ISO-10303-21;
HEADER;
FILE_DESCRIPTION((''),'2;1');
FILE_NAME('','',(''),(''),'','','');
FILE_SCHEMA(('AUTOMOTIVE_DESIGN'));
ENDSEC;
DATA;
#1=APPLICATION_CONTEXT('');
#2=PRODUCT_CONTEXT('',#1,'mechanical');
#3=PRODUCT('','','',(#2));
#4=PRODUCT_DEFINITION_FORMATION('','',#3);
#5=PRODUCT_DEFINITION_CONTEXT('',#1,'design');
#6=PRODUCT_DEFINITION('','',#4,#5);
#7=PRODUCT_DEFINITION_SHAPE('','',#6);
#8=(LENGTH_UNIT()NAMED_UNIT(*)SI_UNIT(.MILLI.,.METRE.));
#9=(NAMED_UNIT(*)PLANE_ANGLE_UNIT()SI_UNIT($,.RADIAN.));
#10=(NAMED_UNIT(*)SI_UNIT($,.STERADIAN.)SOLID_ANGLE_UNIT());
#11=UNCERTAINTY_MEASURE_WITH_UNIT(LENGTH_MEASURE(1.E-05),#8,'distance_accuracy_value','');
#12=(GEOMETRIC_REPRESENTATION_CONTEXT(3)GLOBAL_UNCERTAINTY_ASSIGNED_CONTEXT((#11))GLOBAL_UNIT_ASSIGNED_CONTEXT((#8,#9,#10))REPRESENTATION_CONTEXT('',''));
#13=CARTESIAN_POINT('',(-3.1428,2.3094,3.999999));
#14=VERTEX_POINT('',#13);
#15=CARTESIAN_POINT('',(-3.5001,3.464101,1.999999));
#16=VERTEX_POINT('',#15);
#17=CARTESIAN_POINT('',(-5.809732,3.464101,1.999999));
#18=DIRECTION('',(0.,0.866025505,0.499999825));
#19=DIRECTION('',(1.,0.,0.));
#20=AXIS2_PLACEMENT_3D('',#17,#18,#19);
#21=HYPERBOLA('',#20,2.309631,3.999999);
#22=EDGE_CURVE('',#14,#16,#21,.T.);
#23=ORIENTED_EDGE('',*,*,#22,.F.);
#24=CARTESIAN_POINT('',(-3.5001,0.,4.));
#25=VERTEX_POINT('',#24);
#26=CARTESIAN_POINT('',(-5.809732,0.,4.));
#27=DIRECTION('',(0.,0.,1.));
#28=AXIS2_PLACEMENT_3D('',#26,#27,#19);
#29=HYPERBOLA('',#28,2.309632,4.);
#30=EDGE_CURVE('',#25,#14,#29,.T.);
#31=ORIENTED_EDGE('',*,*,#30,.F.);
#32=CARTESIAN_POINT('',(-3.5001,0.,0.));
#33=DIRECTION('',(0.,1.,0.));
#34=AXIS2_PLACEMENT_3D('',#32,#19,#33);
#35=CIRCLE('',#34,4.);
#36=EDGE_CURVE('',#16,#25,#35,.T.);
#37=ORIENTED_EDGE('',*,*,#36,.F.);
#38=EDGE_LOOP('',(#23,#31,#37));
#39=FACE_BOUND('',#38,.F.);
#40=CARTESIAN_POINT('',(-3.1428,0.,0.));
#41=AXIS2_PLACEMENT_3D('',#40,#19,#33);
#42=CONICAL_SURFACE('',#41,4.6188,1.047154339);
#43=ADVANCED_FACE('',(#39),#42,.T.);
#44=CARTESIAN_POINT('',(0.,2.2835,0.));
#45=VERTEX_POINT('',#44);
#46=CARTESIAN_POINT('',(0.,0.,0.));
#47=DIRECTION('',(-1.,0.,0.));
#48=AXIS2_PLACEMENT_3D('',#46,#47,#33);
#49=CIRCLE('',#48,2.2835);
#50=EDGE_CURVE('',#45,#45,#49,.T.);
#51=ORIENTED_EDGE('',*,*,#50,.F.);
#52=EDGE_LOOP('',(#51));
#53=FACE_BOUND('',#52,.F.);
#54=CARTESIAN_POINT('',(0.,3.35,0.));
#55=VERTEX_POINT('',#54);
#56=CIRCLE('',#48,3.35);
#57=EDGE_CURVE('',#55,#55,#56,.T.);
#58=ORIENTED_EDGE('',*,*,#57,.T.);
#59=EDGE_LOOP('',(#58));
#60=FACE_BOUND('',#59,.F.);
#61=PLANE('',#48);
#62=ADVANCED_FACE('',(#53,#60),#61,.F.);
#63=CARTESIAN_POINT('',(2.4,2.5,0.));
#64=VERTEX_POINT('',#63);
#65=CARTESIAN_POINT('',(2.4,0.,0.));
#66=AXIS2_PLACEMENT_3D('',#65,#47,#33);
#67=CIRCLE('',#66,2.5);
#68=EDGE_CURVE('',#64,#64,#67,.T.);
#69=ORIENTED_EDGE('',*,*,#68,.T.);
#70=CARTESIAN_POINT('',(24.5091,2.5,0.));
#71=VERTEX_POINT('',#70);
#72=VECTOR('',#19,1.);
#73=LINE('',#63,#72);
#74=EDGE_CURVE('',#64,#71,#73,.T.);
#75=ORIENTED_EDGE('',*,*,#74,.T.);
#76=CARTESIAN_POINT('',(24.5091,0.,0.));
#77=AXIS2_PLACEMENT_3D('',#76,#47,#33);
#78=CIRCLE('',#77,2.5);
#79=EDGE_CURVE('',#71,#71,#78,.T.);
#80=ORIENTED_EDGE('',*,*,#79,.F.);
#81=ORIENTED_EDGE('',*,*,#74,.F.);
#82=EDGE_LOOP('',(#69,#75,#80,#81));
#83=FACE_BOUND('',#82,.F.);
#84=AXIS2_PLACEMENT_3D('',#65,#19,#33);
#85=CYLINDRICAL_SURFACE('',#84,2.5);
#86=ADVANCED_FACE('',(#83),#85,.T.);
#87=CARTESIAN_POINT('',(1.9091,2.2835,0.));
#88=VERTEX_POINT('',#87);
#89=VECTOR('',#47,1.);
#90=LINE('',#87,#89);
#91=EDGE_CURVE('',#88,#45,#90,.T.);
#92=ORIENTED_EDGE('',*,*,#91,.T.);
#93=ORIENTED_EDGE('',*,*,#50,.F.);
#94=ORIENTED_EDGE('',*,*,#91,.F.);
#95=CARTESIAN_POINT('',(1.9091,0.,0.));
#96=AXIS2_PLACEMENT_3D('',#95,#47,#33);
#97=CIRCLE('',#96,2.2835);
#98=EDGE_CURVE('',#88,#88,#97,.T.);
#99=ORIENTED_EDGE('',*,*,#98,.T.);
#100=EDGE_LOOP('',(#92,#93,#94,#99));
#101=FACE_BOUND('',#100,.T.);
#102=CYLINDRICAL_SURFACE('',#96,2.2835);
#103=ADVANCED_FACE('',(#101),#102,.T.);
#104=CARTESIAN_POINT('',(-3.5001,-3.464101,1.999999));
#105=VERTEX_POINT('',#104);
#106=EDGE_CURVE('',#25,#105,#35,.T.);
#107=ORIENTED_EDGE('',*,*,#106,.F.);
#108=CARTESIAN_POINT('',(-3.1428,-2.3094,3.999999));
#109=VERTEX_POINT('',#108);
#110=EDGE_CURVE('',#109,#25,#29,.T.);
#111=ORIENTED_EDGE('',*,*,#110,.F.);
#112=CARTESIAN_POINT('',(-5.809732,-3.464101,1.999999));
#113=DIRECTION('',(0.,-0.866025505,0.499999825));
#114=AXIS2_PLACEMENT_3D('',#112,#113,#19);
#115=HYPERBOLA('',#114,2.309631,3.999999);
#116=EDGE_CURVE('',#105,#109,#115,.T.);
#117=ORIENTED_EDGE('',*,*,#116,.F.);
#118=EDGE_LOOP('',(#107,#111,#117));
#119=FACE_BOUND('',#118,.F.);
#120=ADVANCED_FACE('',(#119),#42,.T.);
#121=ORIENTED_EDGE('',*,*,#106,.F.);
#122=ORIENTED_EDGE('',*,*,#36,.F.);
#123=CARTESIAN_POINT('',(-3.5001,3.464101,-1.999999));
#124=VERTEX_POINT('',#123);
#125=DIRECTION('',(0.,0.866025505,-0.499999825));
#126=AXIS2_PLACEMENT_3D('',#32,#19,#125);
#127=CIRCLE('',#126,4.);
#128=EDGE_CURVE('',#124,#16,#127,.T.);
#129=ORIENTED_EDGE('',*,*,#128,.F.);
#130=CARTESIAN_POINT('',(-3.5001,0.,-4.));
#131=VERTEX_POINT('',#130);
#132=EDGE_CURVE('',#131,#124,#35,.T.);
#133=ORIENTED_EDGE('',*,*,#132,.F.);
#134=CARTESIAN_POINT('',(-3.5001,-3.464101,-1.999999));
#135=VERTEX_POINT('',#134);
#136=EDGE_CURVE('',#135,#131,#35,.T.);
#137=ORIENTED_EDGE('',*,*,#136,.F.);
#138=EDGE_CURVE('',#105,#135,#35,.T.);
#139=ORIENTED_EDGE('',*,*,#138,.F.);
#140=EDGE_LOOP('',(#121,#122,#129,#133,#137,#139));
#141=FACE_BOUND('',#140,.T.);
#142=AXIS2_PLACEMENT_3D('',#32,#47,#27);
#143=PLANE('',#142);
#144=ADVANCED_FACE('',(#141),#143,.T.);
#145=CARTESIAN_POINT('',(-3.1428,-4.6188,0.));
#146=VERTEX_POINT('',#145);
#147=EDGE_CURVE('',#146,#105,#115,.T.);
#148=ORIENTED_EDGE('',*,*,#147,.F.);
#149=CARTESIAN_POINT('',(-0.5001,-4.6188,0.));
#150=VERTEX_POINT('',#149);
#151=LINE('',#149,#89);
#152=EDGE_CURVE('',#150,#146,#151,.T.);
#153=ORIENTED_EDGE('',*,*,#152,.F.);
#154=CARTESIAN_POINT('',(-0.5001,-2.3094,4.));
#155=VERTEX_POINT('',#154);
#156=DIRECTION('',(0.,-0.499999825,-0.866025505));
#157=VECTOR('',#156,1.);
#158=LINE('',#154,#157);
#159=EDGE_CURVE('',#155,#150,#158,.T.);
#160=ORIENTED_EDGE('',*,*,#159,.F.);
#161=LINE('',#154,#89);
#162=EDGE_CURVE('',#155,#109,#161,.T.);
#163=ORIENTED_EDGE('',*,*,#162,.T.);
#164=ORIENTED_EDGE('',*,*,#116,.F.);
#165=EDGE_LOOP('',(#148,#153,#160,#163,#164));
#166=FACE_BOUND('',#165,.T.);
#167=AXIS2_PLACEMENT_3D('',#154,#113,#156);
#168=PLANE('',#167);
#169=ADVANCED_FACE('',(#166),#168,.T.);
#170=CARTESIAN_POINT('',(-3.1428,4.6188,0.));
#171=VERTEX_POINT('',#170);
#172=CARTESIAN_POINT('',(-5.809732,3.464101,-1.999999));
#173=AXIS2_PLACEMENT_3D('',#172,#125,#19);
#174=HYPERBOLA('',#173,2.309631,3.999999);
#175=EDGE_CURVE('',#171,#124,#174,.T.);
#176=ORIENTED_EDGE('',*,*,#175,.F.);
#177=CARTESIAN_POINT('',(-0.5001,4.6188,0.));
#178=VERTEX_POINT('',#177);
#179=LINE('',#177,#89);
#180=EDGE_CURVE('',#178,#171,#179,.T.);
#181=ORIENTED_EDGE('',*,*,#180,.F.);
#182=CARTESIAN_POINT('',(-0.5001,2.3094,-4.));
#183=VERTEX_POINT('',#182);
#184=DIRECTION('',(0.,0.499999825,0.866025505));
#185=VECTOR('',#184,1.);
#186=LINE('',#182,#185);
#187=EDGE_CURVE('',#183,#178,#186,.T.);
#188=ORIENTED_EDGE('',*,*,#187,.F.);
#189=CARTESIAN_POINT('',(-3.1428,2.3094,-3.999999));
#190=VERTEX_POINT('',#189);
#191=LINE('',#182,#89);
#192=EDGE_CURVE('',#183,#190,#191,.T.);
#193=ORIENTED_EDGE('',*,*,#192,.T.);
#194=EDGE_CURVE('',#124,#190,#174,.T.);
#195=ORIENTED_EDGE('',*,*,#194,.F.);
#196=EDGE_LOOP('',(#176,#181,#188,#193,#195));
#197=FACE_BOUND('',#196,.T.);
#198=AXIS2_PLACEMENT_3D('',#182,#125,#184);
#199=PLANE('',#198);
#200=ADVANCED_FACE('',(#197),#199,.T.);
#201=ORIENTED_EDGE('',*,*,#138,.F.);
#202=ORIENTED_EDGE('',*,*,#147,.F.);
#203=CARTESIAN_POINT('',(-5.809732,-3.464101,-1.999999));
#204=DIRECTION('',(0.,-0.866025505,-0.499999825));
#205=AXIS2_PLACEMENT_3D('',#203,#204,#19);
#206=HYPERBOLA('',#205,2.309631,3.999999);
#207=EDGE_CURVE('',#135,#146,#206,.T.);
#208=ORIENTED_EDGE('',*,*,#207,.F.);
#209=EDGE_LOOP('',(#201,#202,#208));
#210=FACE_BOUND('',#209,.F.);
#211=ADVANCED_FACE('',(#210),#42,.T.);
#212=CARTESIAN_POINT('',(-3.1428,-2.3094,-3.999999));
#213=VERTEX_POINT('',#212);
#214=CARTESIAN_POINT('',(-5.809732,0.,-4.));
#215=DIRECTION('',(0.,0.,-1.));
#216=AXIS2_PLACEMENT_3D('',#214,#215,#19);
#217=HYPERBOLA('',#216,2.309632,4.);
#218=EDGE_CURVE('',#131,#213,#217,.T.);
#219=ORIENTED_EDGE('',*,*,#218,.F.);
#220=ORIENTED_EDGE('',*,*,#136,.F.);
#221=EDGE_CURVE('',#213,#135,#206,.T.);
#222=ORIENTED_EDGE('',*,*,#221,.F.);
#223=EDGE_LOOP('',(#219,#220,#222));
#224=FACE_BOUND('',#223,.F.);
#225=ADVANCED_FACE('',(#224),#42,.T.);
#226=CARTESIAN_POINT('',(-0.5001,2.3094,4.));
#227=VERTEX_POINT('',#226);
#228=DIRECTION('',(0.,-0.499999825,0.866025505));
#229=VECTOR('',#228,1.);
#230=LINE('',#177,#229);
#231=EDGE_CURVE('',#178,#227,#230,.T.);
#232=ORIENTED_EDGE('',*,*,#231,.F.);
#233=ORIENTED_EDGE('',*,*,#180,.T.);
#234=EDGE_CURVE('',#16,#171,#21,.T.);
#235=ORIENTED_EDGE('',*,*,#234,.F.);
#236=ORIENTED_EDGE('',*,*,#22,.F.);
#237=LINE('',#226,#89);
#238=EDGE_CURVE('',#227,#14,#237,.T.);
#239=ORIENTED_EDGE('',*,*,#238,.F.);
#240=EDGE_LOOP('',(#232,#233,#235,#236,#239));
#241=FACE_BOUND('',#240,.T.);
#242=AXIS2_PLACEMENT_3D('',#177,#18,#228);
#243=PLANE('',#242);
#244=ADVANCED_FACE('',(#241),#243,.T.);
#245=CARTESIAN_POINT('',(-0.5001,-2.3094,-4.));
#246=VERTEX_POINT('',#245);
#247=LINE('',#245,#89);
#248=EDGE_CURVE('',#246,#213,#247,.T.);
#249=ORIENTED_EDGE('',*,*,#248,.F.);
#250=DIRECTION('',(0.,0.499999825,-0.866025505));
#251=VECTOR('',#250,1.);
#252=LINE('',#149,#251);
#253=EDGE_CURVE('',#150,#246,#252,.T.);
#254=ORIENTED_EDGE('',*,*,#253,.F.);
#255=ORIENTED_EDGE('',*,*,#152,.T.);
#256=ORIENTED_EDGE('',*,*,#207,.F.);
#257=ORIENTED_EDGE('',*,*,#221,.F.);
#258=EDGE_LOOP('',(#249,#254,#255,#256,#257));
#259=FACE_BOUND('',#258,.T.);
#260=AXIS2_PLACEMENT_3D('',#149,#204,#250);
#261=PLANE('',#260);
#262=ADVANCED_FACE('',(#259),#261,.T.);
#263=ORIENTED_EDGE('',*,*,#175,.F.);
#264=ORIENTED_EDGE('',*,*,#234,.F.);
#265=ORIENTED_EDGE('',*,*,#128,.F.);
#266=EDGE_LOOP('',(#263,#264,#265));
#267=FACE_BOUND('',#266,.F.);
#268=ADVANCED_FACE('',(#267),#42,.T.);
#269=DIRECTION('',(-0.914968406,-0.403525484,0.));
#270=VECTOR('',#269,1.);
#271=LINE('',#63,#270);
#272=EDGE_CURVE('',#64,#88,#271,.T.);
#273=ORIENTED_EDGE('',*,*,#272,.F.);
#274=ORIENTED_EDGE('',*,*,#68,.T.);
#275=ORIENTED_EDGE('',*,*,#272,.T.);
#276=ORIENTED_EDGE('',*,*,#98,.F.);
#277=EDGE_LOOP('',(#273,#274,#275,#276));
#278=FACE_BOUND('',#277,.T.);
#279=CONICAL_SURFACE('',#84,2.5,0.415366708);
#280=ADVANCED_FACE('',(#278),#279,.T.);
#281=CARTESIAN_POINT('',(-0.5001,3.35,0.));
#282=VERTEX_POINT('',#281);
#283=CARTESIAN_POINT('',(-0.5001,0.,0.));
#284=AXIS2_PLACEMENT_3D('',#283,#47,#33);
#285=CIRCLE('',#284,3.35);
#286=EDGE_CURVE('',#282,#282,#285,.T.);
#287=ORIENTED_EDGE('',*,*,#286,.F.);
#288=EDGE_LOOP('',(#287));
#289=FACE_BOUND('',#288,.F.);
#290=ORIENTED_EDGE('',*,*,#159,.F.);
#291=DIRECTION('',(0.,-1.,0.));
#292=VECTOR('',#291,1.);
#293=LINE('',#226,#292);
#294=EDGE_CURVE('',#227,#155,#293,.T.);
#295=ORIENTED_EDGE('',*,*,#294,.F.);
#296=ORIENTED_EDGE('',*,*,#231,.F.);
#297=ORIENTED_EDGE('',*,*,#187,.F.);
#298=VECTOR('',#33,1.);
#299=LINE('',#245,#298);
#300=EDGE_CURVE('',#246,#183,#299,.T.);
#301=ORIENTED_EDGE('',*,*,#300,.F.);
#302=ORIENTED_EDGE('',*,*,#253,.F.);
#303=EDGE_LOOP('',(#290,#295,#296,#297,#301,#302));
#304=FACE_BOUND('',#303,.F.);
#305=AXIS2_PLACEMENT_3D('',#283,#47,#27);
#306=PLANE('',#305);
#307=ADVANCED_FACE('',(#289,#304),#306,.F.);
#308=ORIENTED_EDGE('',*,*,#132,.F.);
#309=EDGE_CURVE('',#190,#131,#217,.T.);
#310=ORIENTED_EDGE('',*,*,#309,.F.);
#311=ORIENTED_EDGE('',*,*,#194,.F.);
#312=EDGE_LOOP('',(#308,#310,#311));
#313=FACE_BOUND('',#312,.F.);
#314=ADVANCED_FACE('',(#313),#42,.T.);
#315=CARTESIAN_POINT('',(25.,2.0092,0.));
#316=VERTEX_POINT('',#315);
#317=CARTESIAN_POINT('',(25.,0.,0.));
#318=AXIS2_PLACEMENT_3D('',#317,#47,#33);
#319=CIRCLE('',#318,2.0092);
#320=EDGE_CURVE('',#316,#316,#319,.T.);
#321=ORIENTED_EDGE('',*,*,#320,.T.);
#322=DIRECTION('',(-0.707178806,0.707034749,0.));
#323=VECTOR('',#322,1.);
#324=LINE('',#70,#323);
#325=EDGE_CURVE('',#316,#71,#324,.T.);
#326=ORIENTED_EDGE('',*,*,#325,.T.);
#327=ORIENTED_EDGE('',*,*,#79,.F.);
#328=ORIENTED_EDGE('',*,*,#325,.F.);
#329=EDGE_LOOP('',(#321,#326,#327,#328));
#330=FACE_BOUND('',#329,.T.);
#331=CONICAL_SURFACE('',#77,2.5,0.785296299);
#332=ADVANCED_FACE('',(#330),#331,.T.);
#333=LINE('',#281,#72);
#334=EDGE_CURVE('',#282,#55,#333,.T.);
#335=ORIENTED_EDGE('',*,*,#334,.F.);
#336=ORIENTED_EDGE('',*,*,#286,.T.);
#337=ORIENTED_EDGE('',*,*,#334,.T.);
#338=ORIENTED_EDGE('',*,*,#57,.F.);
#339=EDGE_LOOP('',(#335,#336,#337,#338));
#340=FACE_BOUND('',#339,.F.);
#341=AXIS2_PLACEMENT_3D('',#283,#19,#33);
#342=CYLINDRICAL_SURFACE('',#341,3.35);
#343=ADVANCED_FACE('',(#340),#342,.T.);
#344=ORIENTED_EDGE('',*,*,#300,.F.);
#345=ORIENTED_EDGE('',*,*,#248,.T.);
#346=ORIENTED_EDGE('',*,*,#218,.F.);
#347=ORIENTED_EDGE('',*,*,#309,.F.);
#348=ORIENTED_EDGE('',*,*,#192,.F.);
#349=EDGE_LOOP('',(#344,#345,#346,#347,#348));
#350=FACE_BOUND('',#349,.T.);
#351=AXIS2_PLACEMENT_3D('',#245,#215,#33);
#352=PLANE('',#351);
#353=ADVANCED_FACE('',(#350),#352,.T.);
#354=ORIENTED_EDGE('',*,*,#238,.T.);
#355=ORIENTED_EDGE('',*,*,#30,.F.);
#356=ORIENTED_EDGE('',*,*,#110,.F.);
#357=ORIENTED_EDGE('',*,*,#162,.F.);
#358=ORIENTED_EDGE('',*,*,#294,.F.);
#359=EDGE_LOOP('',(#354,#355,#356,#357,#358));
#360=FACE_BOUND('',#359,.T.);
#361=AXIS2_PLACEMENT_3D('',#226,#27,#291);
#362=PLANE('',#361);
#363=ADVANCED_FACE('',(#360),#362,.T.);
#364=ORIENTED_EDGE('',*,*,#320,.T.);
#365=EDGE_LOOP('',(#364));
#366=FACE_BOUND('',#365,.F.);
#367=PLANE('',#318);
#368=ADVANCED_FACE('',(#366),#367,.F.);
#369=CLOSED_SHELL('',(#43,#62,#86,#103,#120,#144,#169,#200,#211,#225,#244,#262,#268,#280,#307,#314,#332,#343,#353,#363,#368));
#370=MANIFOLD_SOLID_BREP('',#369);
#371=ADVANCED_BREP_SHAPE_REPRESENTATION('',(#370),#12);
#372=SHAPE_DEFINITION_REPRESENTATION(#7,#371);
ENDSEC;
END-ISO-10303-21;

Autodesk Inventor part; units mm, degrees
ref_plane "YZ Plane" through (0, 0, 0) normal (1, 0, 0) x (0, 1, 0)
ref_plane "XZ Plane" through (0, 0, 0) normal (0, 1, 0) x (-1, 0, 0)
sketch "Sketch1" plane through (0, 0, 0) normal (0, 0, 1) x (1, 0, 0)
  line L0 (0, 3.35) -> (0, 2.2835)
  line L1 (2.4, 2.5) -> (25, 2.5)
  line L2 (25, 2.5) -> (25, 0)
  line L3 (25, 0) -> (-0.5001, 0)
  line L4 (-5.6001, 0) -> (30.1, 0) projected
  line L5 (-0.5001, 0) -> (-0.5001, 3.35)
  line L6 (-0.5001, 3.35) -> (0, 3.35)
  line L7 (2.4, 2.5) -> (1.9091, 2.2835)
  line L8 (1.9091, 2.2835) -> (0, 2.2835)
  line L9 (0, -0.67) -> (0, 4.02) projected
  dimension "d0" = 25
  dimension "d1" = 22.6
  dimension "d2" = 5
  dimension "d9" = 0.5001
  dimension "d10" = 6.7
  dimension "d13" = 0.4909
  dimension "d14" = 4.567
revolve "Body" add sketch "Sketch1" angle 360 about axis through (25, 0, 0) along (-1, 0, 0)
sketch "Sketch2" plane through (-0.5001, 0, 0) normal (-1, 0, 0) x (0, 0, 1)
  line L0 (0, 4.6188) -> (4, 2.3094)
  line L1 (4, 2.3094) -> (4, -2.3094)
  line L2 (4, -2.3094) -> (0, -4.6188)
  line L3 (0, -4.6188) -> (-4, -2.3094)
  line L4 (-4, -2.3094) -> (-4, 2.3094)
  line L5 (-4, 2.3094) -> (0, 4.6188)
  point P0 (0, 0)
  point P1 (0, 0)
  dimension "d11" = 8
extrude "Head" add sketch "Sketch2" along normal blind 3
sketch "Sketch4" plane through (0, 0, 0) normal (0, 0, 1) x (1, 0, 0)
  line L0 (-3.5001, 4) -> (-3.5001, 4.6188)
  line L1 (-3.5001, 4.6188) -> (-3.1428, 4.6188)
  line L2 (-3.1428, 4.6188) -> (-3.5001, 4)
  line L3 (-4.1001, 0) -> (0.0999, 0) projected
  line L4 (-0.5001, 4.6188) -> (-3.5001, 4.6188) projected
  line L5 (-3.5001, 2.3094) -> (-3.5001, 4.6188) projected
  dimension "d5" = 30
  dimension "d19" = 8
revolve "Chamfer1" cut sketch "Sketch4" angle 360 about axis through (-10, 0, 0) along (1, 0, 0)
thread "Thread" size "M5x0.8" class "6g" standard "ISO Metric profile" length 22.6
chamfer "Chamfer2" distance 0.4908 distance2 0.4909 1 edges at (25, -2.5, 0) measured on face at (25, 0.7379, -0.3873)
ref_plane "Work Plane1" through (1.525, 0, 0) normal (0, 0, 1) x (1, 0, 0)
equation "\"d0\" = NLG"
equation "\"d1\" = GEL"
equation "\"d2\" = GD"
equation "\"d10\" = SD2"
equation "\"d14\" = BDM"
equation "\"d11\" = SW"
equation "\"d3\" = KOH - SD"
equation "\"d5\" = ANG1"
equation "\"d19\" = SW0"
equation "\"d15\" = GEL"
equation "\"d6\" = -0.5 * SPD + 0.5 * GD"
equation "\"NLG\" = 25"
equation "\"GD\" = NND"
equation "\"BDM\" = 4.56699"
equation "\"KOH\" = 3.5"
equation "\"GEL\" = 22.6"
equation "\"SW\" = 8"
equation "\"SW0\" = 8"
equation "\"SPD\" = NND - 1.2269 * PTC"
equation "\"SD2\" = 6.7"
equation "\"SD\" = 0.5"
equation "\"ANG1\" = 30deg"
equation "\"GAL\" = 0.61345 * PTC"
equation "\"GUL\" = 0.61345 * PTC"
equation "\"RR\" = 0.2"
equation "\"GD1\" = THREADDIA - 1.2269 * PTC"
equation "\"THREADDIA\" = 5"
equation "\"TOA\" = 30deg"
equation "\"PTC\" = 0.8"
equation "\"NND\" = 5"
equation "\"E0\" = 1.155 * SW"
properties part number "DIN 933 - M5  x 25" material "Steel, Mild"
